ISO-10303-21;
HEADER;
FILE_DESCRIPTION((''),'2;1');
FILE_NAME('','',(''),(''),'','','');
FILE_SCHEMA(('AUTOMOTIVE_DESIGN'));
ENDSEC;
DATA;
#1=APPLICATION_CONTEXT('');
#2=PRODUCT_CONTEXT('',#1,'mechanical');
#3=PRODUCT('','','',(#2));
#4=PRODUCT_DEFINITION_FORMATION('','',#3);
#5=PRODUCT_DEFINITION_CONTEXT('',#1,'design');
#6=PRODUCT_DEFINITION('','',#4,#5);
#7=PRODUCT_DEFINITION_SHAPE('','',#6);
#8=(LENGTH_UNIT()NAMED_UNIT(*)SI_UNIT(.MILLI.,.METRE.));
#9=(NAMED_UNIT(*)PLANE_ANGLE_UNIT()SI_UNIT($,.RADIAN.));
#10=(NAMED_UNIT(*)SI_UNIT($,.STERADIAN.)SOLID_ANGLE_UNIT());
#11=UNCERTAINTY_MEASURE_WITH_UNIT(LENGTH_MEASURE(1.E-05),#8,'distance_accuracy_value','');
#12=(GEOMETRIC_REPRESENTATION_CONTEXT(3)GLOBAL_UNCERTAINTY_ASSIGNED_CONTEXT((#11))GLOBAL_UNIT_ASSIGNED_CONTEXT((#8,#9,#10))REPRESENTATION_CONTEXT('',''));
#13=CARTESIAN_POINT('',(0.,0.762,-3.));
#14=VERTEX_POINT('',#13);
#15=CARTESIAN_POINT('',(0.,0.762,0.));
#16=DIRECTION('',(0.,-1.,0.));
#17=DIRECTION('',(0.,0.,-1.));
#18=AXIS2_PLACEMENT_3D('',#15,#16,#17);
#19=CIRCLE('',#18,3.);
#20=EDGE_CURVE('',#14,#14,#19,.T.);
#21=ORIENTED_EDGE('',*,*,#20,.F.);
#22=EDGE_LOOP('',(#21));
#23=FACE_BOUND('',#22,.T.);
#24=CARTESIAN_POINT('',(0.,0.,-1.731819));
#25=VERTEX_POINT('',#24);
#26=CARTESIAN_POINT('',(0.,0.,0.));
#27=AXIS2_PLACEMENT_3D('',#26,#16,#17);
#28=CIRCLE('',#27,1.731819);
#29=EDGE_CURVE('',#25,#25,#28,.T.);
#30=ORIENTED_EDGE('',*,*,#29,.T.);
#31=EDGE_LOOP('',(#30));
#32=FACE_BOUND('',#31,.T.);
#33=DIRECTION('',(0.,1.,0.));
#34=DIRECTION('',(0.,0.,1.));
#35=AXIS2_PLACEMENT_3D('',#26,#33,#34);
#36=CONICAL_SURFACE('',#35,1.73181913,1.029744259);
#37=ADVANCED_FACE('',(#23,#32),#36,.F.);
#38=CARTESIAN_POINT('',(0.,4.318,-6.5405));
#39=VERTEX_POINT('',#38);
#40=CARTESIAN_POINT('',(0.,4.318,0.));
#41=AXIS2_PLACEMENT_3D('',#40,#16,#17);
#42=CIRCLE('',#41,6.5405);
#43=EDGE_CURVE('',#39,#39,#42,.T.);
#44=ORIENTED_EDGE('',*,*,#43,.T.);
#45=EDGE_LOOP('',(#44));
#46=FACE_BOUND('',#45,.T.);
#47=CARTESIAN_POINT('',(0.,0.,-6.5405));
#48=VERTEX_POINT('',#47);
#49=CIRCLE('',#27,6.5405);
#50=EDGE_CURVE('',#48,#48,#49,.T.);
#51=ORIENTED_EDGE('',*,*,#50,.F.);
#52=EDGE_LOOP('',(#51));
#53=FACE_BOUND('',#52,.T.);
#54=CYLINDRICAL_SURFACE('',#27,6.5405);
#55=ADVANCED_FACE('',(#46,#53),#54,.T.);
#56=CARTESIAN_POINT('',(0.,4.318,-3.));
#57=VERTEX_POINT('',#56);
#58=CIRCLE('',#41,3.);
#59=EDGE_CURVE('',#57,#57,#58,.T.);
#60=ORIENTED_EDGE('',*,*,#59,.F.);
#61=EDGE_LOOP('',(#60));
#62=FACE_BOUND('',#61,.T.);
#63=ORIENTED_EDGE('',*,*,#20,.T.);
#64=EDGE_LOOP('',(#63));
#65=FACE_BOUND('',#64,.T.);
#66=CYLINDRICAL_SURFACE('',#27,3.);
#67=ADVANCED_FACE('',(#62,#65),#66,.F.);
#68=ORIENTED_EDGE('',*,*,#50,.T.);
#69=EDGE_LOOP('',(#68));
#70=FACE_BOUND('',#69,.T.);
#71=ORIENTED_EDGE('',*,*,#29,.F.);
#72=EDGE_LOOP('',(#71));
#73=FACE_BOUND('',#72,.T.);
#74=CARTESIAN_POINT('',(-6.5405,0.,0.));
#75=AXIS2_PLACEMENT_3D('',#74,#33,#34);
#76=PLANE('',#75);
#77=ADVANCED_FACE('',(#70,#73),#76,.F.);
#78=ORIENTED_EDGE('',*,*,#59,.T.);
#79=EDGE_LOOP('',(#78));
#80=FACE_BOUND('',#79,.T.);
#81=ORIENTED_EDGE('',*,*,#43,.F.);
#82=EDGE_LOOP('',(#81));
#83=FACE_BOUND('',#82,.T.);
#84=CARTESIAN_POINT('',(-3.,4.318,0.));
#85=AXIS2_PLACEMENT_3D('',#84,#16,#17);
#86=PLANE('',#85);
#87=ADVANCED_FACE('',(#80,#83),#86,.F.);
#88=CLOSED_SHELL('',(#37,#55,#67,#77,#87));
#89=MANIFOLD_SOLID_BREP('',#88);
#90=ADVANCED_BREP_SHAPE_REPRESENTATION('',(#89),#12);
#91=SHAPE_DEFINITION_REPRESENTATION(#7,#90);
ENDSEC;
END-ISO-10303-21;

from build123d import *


with BuildPart() as part:
    # Sketch1 → Revolve1 (revolve)
    with BuildSketch(Plane.XY):
        Polygon((-1.73181913, 0), (-3.000000096, 0.762), (-3.000000096, 4.318), (-6.5405, 4.318), (-6.5405, 0), align=None)
    revolve(axis=Axis((0, 0, 0), (0, 1, 0)))


solid = part.part
